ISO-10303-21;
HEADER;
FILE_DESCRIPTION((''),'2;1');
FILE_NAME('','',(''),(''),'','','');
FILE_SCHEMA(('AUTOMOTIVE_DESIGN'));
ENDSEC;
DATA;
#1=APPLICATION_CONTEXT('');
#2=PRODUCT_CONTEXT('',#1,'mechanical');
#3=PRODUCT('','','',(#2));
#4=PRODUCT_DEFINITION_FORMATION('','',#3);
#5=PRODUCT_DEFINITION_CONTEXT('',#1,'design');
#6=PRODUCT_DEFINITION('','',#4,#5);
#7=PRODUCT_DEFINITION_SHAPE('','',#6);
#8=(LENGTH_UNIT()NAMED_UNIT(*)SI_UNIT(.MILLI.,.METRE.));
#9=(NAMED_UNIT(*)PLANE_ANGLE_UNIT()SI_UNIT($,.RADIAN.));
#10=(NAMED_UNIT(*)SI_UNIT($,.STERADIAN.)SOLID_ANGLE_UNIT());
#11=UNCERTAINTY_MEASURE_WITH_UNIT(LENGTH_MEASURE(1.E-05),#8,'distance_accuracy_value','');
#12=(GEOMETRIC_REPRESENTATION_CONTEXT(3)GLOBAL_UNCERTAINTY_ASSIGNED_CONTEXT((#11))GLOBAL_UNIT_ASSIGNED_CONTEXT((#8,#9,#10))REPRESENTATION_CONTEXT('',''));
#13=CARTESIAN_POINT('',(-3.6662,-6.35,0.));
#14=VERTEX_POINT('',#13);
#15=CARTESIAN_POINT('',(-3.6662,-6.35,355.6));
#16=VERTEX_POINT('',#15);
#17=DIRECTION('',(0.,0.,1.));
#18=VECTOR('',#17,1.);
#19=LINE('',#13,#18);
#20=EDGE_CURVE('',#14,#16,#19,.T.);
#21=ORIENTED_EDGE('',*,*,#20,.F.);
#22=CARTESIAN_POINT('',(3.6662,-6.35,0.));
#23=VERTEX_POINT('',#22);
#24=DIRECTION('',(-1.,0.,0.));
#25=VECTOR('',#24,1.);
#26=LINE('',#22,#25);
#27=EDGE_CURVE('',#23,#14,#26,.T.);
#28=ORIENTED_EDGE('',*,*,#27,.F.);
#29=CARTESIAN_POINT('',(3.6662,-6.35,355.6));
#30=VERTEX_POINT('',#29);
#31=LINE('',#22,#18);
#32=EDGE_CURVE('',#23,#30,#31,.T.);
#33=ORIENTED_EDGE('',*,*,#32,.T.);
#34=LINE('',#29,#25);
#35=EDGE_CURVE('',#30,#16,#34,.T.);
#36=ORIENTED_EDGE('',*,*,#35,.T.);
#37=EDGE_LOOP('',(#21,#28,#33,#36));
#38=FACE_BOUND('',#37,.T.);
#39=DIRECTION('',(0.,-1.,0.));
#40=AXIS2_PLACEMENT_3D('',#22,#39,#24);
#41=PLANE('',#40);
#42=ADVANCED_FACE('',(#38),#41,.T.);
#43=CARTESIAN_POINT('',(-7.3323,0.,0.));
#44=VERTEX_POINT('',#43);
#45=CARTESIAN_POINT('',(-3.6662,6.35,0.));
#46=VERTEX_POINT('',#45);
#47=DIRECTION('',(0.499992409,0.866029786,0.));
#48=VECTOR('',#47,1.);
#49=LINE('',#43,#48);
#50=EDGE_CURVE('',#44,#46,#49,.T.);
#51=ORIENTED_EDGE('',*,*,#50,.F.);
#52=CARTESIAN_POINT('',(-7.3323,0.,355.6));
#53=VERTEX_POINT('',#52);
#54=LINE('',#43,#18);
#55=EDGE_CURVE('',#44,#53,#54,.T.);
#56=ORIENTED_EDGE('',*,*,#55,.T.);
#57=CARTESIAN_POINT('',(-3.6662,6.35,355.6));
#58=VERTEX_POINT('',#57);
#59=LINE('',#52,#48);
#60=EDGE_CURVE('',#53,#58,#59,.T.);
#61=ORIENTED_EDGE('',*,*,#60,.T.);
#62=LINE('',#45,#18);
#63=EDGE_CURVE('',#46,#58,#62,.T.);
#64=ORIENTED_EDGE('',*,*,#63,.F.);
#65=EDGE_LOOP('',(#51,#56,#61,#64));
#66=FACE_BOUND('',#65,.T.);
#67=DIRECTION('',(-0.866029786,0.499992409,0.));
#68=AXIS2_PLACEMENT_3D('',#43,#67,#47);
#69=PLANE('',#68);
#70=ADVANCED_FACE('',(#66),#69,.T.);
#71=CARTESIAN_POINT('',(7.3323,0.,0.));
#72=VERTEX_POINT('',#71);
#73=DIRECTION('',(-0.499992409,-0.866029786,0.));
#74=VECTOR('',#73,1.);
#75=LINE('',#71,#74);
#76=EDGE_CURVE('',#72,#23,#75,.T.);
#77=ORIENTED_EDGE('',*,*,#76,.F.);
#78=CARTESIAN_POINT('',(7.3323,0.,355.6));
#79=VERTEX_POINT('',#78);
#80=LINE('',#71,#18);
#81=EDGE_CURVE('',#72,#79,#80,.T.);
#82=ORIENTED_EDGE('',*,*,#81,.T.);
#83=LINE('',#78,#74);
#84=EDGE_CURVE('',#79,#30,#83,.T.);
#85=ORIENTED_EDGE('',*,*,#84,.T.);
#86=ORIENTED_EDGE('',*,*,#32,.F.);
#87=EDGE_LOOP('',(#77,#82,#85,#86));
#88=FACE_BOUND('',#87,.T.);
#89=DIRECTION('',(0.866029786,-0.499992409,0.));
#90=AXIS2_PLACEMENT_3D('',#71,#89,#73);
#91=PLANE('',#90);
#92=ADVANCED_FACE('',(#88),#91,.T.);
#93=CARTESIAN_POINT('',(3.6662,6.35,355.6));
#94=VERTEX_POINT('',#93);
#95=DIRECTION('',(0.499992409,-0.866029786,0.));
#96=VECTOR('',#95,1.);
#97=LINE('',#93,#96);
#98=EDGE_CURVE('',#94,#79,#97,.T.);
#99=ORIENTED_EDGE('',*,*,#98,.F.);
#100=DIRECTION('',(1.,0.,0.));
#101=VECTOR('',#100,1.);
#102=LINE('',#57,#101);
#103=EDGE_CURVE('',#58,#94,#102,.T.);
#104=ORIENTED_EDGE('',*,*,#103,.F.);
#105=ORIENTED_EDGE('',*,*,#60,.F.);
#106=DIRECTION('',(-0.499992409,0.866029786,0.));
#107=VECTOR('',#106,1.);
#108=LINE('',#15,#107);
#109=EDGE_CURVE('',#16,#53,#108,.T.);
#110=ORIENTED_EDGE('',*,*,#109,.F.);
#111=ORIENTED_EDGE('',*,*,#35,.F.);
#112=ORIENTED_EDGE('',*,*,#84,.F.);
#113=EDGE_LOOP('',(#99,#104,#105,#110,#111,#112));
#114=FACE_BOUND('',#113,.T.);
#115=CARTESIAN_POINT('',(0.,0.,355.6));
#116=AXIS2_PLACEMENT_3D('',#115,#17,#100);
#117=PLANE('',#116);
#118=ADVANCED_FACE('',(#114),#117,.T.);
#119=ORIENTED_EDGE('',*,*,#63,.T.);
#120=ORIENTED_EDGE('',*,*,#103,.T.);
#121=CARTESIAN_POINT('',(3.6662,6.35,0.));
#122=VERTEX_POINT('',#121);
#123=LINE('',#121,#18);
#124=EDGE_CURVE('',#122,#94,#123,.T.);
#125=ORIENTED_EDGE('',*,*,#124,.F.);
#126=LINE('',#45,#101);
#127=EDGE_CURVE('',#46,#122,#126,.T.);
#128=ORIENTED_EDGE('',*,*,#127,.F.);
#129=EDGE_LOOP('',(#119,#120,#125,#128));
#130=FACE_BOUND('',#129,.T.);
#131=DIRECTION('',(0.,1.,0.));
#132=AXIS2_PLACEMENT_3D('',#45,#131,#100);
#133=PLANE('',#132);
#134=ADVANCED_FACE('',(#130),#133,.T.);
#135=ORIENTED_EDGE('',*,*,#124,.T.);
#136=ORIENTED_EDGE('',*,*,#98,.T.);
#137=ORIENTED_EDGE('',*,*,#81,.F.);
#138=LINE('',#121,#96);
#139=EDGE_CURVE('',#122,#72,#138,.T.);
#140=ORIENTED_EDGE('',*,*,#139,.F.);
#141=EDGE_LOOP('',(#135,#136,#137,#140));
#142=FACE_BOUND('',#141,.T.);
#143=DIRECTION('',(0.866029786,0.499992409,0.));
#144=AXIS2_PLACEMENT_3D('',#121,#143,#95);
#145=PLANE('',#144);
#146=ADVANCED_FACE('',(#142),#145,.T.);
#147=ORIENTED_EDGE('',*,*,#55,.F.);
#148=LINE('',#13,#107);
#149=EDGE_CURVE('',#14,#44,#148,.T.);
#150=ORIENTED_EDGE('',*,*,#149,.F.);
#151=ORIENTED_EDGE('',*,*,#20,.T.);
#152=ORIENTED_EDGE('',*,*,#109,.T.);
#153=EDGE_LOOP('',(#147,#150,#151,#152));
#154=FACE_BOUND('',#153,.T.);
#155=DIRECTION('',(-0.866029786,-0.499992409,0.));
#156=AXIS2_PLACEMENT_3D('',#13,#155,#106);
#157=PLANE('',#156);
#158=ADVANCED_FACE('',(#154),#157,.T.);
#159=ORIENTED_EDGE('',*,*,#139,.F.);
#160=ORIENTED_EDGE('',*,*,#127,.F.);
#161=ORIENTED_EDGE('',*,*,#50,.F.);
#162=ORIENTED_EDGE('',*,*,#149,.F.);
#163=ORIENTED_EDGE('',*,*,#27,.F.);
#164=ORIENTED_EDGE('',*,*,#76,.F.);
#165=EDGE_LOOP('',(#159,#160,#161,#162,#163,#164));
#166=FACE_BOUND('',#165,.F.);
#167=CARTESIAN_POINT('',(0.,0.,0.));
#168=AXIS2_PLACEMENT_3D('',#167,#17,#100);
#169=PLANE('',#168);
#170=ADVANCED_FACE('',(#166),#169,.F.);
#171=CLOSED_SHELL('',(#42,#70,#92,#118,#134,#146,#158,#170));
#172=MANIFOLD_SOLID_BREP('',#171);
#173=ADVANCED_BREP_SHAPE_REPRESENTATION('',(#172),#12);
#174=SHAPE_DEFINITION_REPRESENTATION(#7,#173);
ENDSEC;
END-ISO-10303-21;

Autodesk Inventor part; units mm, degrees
ref_plane "YZ Plane" through (0, 0, 0) normal (1, 0, 0) x (0, 1, 0)
ref_plane "XZ Plane" through (0, 0, 0) normal (0, 1, 0) x (-1, 0, 0)
ref_plane "XY Plane" through (0, 0, 0) normal (0, 0, 1) x (1, 0, 0)
sketch "Sketch1" plane through (0, 0, 0) normal (0, 0, 1) x (1, 0, 0)
  line L0 (3.6662, 6.35) -> (7.3323, 0)
  line L1 (7.3323, 0) -> (3.6662, -6.35)
  line L2 (3.6662, -6.35) -> (-3.6662, -6.35)
  line L3 (-3.6662, -6.35) -> (-7.3323, 0)
  line L4 (-7.3323, 0) -> (-3.6662, 6.35)
  line L5 (-3.6662, 6.35) -> (3.6662, 6.35)
  point P0 (0, 0)
  point P1 (0, 0)
  dimension "d0" = 12.7
extrude "Extrusion1" add sketch "Sketch1" along normal blind 355.6
properties part number "hex rod 14 inch" material "Steel, Alloy"
